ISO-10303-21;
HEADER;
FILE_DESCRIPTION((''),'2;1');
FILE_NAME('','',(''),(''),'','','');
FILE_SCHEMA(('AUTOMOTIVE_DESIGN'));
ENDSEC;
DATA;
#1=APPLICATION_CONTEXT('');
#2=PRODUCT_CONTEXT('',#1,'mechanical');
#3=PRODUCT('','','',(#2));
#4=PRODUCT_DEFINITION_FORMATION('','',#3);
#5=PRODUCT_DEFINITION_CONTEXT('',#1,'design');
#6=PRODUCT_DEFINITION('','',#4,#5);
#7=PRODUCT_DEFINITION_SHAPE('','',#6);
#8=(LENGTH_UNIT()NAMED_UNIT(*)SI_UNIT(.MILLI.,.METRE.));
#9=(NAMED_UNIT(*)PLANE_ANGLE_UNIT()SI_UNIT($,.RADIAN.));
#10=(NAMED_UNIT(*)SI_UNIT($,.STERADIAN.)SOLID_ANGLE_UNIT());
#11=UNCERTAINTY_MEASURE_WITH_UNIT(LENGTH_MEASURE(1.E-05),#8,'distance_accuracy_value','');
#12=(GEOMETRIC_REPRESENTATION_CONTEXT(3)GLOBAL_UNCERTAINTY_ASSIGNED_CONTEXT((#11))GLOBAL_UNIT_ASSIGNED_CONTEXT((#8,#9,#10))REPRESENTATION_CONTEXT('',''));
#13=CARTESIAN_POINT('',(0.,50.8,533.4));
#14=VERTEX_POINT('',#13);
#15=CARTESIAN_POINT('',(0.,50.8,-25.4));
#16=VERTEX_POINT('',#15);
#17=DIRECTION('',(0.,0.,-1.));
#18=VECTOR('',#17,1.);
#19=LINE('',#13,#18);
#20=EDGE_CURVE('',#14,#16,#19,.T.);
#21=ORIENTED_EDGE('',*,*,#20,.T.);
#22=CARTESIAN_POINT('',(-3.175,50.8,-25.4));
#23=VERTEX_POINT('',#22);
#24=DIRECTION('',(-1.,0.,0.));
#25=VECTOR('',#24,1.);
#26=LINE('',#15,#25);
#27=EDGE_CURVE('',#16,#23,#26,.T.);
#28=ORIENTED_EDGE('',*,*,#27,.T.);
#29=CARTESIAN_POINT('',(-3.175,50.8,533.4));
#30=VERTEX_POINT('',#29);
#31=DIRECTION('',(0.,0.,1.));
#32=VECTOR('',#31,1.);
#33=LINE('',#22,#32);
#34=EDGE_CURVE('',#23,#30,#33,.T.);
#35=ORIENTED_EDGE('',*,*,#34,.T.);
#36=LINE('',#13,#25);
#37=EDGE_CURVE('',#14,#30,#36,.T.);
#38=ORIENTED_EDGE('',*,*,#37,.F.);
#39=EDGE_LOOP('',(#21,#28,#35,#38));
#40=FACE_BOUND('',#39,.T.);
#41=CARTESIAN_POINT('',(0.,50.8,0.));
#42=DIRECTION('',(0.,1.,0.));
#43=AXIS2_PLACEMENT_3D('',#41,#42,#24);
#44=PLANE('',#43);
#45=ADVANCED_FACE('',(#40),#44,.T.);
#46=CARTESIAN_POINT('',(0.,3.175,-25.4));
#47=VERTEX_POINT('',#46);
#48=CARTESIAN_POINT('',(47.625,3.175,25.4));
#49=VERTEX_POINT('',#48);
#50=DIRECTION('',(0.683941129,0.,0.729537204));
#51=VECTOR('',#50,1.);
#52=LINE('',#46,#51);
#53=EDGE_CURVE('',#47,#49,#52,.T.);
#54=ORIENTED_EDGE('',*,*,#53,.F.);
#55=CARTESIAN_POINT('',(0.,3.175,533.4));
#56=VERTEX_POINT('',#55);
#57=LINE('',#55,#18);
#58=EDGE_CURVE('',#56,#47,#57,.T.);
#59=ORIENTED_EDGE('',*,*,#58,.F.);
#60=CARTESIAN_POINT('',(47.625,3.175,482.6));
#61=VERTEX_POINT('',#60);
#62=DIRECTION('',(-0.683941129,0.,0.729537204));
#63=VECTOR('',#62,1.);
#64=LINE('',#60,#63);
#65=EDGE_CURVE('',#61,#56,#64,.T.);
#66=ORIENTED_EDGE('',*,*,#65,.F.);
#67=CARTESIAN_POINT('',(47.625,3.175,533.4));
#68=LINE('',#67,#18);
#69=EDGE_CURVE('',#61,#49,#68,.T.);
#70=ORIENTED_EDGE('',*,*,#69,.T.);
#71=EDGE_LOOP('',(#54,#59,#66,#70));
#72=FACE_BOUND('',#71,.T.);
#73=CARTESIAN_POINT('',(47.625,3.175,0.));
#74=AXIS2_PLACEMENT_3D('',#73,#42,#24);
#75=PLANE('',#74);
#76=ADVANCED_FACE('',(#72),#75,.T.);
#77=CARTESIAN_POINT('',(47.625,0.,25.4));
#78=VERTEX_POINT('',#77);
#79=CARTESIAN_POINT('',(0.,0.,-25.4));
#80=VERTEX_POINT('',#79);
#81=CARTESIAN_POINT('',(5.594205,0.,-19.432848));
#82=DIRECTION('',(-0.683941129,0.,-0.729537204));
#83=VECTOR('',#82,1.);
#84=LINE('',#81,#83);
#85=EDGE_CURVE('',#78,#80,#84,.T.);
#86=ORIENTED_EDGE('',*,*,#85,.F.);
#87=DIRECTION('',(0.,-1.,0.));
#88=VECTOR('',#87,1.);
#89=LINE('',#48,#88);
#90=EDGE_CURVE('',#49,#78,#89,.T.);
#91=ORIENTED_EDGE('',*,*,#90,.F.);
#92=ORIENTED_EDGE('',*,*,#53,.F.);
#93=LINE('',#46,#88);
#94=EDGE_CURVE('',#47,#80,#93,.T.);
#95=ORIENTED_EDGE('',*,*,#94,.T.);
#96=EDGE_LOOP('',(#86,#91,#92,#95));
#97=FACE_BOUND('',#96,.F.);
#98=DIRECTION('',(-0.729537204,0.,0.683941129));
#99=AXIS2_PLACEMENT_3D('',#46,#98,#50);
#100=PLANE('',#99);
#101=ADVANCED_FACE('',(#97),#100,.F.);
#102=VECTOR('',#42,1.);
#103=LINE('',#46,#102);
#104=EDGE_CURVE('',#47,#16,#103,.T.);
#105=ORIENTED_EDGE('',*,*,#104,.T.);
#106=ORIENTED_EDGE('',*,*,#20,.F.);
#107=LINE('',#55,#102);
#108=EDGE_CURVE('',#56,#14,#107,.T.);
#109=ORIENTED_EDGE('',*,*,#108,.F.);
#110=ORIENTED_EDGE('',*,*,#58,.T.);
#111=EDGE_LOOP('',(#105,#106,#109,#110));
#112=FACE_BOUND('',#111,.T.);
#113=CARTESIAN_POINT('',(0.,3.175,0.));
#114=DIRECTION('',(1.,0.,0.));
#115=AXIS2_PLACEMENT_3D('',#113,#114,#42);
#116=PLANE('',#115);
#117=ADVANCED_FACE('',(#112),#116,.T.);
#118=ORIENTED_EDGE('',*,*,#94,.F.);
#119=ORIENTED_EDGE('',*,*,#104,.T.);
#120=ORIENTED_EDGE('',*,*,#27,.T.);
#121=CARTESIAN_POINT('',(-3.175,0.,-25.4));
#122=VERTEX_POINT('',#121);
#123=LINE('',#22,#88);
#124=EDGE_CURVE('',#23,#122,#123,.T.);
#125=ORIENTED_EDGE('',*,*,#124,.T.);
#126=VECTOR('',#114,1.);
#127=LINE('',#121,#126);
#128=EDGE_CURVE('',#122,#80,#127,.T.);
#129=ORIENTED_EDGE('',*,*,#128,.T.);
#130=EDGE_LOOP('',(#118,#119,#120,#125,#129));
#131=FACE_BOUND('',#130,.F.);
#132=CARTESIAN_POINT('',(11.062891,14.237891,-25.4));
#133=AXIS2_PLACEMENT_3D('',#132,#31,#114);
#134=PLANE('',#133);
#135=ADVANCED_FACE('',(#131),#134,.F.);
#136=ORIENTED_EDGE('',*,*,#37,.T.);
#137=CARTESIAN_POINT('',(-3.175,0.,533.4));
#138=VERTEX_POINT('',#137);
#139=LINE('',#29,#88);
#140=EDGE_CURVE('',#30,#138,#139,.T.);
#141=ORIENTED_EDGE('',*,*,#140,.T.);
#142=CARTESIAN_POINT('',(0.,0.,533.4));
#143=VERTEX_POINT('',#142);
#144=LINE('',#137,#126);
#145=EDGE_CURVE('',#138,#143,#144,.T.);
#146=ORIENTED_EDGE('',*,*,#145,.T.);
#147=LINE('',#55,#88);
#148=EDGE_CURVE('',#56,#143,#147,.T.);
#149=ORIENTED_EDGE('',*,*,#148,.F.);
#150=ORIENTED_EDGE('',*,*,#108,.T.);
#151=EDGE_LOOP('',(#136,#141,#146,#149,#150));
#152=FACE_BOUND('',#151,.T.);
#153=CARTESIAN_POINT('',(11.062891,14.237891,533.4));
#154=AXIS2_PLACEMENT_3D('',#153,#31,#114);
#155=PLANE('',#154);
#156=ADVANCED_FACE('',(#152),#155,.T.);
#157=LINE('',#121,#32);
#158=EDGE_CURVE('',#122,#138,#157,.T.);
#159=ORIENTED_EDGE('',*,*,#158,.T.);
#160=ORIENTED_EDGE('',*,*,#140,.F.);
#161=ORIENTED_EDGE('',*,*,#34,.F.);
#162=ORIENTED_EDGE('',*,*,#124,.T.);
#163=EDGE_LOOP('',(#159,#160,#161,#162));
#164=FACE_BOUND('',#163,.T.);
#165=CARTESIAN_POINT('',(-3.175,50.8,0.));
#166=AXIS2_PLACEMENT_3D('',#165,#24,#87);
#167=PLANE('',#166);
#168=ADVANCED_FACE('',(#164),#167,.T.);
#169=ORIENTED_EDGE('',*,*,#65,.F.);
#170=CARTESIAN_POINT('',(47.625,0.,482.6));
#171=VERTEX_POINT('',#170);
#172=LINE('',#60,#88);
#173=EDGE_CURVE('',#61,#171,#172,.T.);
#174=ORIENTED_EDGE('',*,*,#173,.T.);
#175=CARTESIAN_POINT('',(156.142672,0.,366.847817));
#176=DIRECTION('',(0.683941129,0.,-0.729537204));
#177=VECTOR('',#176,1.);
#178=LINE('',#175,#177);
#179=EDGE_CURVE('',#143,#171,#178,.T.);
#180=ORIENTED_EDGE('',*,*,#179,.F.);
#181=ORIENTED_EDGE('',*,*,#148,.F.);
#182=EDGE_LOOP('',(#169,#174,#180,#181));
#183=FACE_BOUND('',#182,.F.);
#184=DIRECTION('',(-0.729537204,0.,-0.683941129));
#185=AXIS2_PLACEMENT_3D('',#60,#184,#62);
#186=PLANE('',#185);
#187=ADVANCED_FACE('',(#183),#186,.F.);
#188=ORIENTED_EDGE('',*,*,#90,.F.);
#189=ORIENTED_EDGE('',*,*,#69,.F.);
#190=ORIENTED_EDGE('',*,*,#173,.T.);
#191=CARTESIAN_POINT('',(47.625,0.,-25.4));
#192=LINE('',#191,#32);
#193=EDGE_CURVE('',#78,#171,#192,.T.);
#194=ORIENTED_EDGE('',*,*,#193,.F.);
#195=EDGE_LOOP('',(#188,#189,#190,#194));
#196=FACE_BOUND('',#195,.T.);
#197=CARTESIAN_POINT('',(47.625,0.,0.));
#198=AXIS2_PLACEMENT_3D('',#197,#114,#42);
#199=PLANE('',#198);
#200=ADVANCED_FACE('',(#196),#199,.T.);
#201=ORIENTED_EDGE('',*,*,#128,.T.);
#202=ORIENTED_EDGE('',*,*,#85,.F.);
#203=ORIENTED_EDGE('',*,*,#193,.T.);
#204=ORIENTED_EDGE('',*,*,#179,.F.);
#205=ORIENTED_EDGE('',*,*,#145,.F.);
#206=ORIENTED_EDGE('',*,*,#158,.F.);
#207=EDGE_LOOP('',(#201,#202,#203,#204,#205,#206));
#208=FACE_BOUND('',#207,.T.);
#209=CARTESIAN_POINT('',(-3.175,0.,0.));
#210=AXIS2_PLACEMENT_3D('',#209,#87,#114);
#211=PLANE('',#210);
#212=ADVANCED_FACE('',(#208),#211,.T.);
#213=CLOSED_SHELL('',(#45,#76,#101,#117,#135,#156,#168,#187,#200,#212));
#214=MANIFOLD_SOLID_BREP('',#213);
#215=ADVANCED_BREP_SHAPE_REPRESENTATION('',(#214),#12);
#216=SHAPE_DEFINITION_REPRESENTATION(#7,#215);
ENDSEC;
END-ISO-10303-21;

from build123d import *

# Parameters (mm, degrees)
F1_DEPTH      = 533.4
F1_DEPTH_BACK = 25.4
F3_DEPTH      = 3.176


with BuildPart() as f1:
    # F0 (on Top) → F1 (new body, two sides)
    with BuildSketch(Plane.XY) as f1_sk:
        Polygon((0, 50.8), (-3.175, 50.8), (-3.175, 0), (47.625, 0), (47.625, 3.175), (0, 3.175), align=None)
    extrude(amount=F1_DEPTH)
    extrude(f1_sk.sketch, amount=-F1_DEPTH_BACK)

    # F2 (on face) → F3 (cut, through all)
    with BuildSketch(Plane(origin=(0, 3.175, 0), x_dir=(-1, 0, 0), z_dir=(0, 1, 0))):
        Polygon((-47.625, 533.4), (-47.625, 482.6), (0, 533.4), align=None)
        Polygon((0, -25.4), (-47.625, 25.4), (-47.625, -25.4), align=None)
    extrude(amount=-F3_DEPTH, mode=Mode.SUBTRACT)


solid = f1.part
